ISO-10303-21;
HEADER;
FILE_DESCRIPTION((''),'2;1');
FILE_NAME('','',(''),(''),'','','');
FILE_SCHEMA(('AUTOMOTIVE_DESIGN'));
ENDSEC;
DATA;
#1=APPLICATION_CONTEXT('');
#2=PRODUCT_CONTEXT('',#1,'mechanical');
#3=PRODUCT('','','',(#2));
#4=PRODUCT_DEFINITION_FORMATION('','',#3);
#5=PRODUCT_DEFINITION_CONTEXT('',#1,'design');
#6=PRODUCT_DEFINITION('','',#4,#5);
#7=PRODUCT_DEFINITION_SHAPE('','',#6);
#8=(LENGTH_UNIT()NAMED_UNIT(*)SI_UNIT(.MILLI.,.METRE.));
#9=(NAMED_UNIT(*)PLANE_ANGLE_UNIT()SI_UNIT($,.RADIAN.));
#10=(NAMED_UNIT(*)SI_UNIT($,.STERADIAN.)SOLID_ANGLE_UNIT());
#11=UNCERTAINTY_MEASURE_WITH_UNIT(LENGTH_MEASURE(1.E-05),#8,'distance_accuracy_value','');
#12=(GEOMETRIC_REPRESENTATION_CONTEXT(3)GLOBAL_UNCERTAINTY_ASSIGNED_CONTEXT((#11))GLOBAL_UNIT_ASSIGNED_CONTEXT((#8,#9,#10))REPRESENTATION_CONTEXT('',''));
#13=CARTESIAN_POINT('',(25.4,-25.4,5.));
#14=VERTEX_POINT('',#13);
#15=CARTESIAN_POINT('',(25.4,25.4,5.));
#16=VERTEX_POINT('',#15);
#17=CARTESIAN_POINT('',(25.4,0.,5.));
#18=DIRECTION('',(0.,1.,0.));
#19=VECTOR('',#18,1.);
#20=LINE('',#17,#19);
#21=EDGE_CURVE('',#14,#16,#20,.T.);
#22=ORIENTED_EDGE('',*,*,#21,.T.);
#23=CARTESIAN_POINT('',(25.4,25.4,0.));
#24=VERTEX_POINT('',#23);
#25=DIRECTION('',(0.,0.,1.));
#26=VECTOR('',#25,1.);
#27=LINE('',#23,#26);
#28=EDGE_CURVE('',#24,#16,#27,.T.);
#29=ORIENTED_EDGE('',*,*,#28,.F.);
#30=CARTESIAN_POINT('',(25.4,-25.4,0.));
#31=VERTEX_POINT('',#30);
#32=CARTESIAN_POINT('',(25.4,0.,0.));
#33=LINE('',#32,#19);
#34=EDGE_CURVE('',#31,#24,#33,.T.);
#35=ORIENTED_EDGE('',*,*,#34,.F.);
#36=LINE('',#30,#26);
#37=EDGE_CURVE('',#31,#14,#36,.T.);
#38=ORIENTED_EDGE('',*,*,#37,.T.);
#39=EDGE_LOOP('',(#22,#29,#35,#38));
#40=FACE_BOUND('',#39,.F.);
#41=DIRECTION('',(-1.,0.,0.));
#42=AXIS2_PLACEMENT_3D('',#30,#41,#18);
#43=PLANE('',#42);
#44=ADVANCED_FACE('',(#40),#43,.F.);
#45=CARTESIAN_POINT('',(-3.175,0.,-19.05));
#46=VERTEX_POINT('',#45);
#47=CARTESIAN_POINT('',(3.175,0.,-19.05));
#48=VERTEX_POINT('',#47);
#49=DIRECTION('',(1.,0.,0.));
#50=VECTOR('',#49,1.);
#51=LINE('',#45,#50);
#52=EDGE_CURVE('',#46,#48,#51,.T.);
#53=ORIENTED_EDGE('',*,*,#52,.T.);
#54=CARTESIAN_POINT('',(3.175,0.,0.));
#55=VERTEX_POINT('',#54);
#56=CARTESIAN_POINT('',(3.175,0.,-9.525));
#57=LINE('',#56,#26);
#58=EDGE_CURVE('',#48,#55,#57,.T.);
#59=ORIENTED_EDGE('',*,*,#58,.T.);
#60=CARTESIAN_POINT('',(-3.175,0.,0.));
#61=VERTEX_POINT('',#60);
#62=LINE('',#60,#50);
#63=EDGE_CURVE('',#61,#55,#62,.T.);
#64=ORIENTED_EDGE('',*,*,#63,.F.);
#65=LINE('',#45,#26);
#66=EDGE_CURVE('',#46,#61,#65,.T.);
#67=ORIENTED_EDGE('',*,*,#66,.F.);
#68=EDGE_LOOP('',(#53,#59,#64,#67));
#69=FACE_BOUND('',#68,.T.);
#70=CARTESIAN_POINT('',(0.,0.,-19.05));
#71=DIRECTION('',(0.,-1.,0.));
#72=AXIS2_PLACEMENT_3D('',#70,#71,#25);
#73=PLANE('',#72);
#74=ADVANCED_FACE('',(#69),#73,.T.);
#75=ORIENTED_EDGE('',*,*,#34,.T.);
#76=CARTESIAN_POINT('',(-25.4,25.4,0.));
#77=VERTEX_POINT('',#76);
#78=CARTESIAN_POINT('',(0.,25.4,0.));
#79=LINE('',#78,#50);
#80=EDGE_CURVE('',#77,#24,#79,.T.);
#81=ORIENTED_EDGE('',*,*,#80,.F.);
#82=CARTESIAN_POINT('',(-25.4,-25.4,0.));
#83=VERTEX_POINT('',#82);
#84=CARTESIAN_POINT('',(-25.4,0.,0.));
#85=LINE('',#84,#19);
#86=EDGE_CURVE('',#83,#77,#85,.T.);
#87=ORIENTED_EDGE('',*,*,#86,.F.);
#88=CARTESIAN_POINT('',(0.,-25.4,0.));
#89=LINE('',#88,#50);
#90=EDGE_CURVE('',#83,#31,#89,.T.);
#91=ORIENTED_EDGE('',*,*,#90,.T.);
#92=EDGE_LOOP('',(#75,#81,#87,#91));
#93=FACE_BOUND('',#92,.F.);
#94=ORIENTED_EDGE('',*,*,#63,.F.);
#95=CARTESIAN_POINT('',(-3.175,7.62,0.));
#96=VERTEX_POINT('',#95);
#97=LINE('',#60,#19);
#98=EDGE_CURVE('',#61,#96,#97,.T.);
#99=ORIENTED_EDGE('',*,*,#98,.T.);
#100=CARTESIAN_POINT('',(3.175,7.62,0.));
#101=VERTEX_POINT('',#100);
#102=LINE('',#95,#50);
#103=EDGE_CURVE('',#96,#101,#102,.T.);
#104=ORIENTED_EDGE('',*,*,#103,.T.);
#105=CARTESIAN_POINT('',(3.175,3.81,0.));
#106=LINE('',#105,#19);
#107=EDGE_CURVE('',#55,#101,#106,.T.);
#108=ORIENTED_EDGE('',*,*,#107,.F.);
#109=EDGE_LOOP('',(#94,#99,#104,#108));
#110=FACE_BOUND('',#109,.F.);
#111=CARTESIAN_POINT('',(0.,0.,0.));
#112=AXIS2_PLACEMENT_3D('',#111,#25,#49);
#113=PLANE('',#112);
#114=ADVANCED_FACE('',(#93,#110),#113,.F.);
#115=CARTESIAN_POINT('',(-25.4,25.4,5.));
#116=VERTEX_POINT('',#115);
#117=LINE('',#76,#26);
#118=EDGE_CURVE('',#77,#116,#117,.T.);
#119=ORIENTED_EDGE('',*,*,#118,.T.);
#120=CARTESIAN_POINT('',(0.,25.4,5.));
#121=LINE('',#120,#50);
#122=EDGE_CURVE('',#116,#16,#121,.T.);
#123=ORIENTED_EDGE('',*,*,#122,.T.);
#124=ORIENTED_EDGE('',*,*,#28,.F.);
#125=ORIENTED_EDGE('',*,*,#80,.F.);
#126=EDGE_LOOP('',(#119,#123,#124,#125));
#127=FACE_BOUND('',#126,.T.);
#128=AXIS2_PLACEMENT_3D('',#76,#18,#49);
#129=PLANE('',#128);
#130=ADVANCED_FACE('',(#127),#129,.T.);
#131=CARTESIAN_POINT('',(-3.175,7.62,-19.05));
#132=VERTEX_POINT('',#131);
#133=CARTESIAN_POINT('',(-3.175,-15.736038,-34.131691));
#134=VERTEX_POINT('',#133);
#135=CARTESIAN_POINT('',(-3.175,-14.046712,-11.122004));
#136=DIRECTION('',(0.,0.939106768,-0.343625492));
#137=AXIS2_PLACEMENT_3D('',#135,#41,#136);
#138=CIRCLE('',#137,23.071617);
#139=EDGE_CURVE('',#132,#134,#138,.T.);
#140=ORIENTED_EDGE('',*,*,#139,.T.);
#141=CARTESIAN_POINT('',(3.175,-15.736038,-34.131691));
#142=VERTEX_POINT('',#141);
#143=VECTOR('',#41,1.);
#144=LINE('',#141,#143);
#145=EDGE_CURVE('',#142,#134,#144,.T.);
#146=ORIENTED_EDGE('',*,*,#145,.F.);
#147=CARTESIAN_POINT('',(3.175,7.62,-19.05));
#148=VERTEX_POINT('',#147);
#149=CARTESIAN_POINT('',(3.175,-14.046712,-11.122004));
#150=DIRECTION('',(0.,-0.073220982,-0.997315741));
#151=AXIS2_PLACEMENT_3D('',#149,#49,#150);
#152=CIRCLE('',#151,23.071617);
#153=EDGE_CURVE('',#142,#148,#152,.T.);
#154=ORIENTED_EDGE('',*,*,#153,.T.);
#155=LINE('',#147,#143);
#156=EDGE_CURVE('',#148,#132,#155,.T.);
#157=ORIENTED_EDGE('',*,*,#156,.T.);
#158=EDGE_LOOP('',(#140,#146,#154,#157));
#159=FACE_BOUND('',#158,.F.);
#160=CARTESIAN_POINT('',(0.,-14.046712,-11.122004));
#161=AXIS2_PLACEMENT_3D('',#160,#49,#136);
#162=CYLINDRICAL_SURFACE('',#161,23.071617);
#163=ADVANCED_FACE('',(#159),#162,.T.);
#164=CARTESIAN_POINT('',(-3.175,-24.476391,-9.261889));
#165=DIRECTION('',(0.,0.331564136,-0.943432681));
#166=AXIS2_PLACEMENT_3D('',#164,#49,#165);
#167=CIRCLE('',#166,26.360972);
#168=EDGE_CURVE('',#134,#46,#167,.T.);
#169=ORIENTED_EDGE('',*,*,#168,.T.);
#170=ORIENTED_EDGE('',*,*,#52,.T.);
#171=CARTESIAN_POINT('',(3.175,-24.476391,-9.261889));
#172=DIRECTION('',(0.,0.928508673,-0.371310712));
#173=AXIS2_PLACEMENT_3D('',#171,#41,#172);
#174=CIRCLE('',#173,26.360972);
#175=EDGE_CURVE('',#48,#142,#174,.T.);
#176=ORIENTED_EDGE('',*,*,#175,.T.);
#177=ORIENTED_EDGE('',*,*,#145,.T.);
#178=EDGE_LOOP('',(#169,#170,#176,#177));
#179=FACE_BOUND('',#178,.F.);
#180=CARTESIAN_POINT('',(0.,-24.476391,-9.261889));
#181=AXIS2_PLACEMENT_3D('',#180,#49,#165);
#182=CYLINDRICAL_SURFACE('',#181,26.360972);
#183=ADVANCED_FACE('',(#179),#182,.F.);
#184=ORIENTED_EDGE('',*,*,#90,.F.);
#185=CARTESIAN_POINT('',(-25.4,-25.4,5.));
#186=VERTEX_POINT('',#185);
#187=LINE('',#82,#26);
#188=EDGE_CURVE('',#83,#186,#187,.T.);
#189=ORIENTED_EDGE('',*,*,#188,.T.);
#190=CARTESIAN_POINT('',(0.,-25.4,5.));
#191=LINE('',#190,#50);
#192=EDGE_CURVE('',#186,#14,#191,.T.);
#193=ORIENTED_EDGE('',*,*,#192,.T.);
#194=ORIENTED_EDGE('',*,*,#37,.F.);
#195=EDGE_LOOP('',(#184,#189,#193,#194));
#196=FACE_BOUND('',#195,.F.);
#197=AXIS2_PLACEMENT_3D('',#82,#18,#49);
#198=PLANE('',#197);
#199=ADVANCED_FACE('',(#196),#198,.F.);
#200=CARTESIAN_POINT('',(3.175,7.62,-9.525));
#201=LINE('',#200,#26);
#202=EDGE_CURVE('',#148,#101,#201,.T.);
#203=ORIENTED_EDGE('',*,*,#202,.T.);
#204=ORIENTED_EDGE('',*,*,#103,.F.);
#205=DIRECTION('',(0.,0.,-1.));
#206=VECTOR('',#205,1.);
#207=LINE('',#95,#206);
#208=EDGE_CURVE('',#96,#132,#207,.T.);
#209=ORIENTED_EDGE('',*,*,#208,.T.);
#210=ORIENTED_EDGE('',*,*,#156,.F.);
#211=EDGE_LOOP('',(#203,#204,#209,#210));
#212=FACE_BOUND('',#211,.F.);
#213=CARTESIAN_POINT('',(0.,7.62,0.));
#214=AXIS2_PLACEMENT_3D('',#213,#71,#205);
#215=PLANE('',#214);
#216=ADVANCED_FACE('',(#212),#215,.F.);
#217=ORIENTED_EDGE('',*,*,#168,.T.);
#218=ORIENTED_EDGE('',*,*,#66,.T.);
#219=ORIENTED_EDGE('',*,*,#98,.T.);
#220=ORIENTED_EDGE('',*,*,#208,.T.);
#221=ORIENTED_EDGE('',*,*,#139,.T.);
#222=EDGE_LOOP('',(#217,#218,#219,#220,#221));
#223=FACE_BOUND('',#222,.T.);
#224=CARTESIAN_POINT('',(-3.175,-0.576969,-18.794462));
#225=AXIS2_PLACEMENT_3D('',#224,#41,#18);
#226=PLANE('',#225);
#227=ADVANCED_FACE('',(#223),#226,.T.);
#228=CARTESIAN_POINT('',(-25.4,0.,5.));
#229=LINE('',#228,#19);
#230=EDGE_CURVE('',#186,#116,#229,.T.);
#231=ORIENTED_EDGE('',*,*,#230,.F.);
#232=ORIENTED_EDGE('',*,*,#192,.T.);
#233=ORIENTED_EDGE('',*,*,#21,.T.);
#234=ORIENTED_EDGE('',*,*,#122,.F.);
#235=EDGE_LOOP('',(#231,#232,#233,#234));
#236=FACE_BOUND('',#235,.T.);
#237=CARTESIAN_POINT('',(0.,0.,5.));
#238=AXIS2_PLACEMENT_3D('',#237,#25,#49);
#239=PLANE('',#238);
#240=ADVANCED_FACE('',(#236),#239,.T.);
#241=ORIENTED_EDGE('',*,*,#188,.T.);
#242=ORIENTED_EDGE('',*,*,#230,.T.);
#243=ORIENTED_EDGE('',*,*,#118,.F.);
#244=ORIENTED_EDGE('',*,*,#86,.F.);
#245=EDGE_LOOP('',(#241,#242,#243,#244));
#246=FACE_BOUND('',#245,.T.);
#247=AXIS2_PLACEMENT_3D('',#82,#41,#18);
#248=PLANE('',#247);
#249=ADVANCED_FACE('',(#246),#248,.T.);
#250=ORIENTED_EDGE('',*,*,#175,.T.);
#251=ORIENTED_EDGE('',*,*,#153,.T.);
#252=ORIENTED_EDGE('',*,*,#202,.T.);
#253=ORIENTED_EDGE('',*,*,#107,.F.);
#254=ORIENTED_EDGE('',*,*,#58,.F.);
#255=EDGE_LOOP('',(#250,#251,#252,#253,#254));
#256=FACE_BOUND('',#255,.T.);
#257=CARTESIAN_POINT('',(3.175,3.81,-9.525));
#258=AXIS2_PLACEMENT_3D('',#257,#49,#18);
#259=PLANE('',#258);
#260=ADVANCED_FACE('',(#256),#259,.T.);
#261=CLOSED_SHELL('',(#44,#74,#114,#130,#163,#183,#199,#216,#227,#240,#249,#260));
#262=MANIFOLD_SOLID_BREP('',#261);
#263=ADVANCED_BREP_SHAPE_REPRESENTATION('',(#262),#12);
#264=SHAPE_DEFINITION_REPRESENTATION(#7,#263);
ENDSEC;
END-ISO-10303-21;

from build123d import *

# Parameters (mm, degrees)
F0_W     = 50.8
F0_H     = 50.8
F1_DEPTH = 5
F2_W     = 7.62
F2_H     = 19.05
F3_DEPTH = 3.175
F4_DEPTH = 3.175


with BuildPart() as f1:
    # F0 (on Top) → F1 (new body)
    with BuildSketch(Plane.XY):
        Rectangle(F0_W, F0_H)
    extrude(amount=F1_DEPTH)

    # F2 (on Right) → F3 (join)
    with BuildSketch(Plane.YZ):
        with Locations((3.81, -9.525)):
            Rectangle(F2_W, F2_H)
        with BuildLine():
            Line((7.62, -19.05), (0, -19.05))
            ThreePointArc((0, -19.05), (-6.23626, -28.293401), (-15.736038, -34.131691))
            ThreePointArc((-15.736038, -34.131691), (-1.531188, -30.503985), (7.62, -19.05))
        make_face()
    extrude(amount=F3_DEPTH)

    # F3_face (on face) → F4 (join)
    with BuildSketch(Plane(origin=(0, 1.478785, -16.812589), x_dir=(0, 1, 0), z_dir=(-1, 0, 0))):
        with BuildLine():
            Line((-1.478785, -16.812589), (6.141215, -16.812589))
            Line((6.141215, -16.812589), (6.141215, 2.237411))
            ThreePointArc((6.141215, 2.237411), (-3.009973, 13.691396), (-17.214823, 17.319102))
            ThreePointArc((-17.214823, 17.319102), (-7.715045, 11.480812), (-1.478785, 2.237411))
            Line((-1.478785, 2.237411), (-1.478785, -16.812589))
        make_face()
    extrude(amount=F4_DEPTH)


solid = f1.part
